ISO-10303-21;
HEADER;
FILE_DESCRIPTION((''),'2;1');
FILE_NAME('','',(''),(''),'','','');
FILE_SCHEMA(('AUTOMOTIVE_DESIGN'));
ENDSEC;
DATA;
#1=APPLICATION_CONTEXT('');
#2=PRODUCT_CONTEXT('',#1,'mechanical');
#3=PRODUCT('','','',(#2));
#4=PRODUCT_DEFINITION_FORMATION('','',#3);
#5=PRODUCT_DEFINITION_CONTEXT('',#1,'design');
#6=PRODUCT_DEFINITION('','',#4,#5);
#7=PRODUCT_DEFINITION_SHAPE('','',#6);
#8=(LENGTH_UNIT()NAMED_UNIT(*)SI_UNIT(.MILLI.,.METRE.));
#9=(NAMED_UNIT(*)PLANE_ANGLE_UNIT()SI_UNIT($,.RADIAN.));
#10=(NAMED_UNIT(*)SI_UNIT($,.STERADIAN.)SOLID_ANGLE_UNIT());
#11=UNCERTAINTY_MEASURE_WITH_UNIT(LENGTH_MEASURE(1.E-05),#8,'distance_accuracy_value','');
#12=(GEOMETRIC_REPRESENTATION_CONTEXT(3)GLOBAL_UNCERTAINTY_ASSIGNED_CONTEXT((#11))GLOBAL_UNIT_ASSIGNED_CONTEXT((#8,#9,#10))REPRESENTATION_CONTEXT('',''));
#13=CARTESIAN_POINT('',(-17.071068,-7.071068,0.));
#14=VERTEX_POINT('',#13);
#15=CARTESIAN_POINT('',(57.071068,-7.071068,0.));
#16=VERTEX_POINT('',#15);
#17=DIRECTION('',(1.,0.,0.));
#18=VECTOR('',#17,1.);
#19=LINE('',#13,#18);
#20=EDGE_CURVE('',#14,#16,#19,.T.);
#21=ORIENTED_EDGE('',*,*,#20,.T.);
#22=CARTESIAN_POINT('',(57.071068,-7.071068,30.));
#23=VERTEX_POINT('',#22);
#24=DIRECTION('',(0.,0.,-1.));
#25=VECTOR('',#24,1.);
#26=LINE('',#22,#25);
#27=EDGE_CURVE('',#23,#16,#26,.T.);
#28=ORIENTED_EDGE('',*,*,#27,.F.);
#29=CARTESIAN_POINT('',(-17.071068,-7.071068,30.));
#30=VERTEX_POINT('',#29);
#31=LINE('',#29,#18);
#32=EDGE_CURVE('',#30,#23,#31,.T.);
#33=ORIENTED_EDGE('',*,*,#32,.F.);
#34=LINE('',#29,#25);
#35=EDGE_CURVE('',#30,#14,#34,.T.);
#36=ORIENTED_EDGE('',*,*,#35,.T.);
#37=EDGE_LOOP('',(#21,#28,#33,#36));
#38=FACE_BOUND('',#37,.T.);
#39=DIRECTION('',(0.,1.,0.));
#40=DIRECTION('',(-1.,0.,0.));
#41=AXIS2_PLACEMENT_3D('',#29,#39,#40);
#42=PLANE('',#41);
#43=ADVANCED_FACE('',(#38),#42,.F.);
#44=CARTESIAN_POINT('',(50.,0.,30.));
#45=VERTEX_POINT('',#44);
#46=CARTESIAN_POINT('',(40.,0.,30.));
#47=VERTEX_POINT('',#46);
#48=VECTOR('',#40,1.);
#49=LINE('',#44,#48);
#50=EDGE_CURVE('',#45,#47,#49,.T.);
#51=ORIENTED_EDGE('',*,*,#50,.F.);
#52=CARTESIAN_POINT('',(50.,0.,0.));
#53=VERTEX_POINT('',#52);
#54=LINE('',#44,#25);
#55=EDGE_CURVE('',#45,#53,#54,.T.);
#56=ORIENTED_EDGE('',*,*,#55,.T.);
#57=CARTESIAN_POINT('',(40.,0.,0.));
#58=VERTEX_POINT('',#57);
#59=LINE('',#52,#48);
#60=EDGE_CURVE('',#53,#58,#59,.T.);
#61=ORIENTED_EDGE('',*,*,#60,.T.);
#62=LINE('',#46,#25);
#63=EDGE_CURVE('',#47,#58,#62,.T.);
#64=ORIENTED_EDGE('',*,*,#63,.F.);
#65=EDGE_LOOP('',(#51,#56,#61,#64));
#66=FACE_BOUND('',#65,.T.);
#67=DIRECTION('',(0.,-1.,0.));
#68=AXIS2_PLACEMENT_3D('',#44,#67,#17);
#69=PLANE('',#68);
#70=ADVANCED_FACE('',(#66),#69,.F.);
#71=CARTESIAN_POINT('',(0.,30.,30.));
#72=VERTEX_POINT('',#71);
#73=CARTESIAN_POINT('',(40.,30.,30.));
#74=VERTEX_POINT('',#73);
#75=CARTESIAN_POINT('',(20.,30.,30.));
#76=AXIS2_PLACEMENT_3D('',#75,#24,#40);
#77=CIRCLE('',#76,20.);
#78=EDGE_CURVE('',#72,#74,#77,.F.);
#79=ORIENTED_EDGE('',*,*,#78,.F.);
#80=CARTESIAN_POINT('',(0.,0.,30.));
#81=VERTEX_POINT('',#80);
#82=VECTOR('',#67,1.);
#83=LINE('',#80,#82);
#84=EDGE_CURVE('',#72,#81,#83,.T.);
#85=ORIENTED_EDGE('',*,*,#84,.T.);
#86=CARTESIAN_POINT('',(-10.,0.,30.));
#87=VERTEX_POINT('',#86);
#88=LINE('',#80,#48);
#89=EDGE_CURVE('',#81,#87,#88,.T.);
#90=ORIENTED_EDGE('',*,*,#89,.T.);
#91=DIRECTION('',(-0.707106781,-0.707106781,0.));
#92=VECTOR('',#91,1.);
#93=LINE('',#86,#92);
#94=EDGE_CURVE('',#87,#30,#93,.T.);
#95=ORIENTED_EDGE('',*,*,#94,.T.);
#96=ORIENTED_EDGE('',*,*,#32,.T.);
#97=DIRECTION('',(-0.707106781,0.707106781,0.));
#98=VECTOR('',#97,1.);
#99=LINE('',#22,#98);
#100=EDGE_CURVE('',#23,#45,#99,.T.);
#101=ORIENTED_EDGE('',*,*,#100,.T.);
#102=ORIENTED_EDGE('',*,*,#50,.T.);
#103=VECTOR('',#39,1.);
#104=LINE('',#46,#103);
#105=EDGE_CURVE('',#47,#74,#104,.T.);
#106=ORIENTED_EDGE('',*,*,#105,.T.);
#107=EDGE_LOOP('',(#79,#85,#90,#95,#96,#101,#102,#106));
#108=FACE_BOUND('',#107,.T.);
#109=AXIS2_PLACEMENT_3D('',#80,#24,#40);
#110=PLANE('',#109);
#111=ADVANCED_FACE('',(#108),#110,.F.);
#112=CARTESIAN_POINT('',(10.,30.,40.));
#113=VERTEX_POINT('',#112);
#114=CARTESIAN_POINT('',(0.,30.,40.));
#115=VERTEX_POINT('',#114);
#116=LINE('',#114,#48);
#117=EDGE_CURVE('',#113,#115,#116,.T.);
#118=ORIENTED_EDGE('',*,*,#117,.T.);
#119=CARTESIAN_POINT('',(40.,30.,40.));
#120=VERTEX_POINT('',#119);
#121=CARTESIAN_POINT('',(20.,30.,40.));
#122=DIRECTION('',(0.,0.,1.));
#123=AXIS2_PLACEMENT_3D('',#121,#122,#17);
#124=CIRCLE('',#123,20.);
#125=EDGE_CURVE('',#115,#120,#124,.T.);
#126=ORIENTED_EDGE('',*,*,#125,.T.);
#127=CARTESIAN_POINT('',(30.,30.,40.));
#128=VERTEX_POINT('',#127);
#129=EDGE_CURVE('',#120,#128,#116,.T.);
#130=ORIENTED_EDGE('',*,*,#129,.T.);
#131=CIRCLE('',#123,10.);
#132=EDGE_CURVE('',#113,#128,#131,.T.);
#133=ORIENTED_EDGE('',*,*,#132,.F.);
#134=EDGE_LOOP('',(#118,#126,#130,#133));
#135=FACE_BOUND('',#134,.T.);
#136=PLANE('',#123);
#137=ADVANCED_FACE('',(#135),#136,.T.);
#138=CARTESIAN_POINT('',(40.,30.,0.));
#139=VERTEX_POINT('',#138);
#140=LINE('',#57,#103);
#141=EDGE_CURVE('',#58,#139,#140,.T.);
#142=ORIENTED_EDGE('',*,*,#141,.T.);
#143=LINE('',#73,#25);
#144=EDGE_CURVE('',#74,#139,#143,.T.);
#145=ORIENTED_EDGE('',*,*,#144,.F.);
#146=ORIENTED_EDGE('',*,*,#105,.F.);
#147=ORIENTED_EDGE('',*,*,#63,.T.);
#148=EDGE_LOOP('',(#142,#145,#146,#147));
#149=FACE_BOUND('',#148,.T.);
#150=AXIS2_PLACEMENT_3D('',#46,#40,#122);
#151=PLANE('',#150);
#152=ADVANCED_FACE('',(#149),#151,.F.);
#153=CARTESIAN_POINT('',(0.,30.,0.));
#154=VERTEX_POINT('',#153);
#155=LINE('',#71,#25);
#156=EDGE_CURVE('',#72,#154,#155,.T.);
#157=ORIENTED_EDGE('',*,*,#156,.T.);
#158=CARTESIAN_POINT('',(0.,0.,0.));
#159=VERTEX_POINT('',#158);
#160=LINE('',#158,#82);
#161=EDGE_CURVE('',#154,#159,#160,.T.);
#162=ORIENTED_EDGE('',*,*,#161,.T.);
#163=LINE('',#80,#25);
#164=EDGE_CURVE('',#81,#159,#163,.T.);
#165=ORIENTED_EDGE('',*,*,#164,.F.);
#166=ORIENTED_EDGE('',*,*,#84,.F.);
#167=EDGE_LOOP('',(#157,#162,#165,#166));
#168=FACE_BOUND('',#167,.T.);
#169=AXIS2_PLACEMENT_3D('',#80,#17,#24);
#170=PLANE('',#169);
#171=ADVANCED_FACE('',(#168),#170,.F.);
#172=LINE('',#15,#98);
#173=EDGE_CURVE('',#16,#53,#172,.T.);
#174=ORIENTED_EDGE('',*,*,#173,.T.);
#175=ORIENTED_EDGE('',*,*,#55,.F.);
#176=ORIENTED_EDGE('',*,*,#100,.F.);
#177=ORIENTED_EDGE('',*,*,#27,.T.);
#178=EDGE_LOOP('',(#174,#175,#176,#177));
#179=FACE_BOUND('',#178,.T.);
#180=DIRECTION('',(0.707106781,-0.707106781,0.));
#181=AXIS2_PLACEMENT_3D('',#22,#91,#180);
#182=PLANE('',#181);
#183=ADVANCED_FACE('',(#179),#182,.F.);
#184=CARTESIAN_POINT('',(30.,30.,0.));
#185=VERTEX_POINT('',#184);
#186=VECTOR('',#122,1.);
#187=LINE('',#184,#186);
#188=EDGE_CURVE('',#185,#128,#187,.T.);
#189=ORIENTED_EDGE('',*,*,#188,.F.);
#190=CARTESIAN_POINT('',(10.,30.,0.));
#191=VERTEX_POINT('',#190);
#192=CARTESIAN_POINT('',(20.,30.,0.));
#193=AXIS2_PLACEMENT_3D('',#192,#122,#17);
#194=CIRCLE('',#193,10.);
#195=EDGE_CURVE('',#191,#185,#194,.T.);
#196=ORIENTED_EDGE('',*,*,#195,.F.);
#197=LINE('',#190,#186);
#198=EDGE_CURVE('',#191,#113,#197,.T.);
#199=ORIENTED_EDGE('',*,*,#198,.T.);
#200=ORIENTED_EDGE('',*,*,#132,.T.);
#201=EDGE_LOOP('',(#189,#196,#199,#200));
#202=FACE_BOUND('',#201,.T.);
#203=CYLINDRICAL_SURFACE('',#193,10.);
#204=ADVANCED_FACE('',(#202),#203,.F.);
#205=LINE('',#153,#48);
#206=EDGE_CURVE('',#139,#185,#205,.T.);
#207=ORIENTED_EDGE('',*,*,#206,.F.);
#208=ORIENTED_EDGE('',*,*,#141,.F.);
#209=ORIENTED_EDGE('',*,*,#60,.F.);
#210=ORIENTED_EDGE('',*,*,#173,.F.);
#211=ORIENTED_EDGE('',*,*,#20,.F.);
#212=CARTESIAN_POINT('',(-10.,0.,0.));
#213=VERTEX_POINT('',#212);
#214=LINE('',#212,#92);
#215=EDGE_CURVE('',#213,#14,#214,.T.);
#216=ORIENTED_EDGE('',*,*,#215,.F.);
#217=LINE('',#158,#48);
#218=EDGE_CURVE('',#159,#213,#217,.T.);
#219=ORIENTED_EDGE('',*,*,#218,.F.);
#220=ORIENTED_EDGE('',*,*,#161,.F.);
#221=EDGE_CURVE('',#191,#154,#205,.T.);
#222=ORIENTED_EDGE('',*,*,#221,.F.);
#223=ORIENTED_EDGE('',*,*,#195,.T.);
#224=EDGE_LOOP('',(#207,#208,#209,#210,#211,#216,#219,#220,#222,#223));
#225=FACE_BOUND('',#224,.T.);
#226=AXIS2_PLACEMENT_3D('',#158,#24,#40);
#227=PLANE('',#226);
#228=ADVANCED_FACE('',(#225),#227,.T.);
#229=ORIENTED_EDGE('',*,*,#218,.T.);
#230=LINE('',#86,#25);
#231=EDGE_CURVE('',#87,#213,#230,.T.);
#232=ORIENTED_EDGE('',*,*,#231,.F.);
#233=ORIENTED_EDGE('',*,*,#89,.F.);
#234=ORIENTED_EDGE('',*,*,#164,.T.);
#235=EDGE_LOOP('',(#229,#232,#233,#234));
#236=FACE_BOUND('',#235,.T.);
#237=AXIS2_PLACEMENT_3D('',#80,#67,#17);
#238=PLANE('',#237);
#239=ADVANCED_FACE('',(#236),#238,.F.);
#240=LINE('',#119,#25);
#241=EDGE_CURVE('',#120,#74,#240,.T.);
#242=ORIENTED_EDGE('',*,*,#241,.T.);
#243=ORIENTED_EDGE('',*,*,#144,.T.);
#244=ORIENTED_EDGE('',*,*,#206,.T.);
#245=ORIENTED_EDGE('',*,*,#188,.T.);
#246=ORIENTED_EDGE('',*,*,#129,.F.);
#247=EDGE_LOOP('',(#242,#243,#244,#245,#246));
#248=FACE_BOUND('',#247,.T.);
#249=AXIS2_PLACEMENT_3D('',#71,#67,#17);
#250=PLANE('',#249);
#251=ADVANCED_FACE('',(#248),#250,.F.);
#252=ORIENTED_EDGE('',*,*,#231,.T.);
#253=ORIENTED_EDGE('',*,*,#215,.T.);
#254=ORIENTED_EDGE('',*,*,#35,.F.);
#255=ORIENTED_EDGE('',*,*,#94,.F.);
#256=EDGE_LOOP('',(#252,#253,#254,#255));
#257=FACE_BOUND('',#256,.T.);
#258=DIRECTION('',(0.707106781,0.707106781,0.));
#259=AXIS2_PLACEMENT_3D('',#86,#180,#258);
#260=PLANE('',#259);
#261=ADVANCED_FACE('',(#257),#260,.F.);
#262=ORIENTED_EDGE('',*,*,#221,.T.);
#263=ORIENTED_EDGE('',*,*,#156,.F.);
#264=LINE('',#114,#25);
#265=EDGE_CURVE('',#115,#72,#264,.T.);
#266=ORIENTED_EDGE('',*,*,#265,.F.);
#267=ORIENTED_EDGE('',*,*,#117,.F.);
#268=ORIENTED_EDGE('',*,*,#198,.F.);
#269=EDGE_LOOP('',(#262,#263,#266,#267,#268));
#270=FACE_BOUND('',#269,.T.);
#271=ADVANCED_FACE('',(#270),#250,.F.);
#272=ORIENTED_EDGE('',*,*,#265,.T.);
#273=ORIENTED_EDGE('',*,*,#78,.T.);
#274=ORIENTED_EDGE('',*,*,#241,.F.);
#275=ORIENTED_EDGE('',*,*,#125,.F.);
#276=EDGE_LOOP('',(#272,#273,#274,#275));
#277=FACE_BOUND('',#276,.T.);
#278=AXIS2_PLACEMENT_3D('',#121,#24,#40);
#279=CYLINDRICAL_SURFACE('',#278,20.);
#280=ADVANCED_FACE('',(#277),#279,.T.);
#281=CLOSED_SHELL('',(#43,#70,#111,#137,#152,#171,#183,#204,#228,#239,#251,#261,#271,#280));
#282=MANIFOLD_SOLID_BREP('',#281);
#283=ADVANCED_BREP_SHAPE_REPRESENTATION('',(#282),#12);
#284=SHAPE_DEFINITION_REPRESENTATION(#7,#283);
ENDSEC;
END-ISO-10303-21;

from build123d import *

# Parameters (mm, degrees)
BOSS_EXTRUDE1_DEPTH = 30
BOSS_EXTRUDE2_DEPTH = 40
CUT_EXTRUDE1_DEPTH  = 40


with BuildPart() as part:
    # Sketch1 → Boss-Extrude1 (new body)
    with BuildSketch(Plane.XY):
        Polygon((0, 0), (-10, 0), (-17.071067812, -7.071067812), (57.071067812, -7.071067812), (50, 0), (40, 0), (40, 30), (0, 30), align=None)
    extrude(amount=BOSS_EXTRUDE1_DEPTH)

    # Sketch3 → Boss-Extrude2 (add)
    with BuildSketch(Plane.XY):
        with BuildLine():
            Line((0, 30), (40, 30))
            ThreePointArc((40, 30), (20, 10), (0, 30))
        make_face()
    extrude(amount=BOSS_EXTRUDE2_DEPTH)

    # Sketch4 → Cut-Extrude1 (cut)
    with BuildSketch(Plane.XY.offset(40)):
        with BuildLine():
            Line((10, 30), (30, 30))
            ThreePointArc((30, 30), (20, 20), (10, 30))
        make_face()
    extrude(amount=-CUT_EXTRUDE1_DEPTH, mode=Mode.SUBTRACT)


solid = part.part
